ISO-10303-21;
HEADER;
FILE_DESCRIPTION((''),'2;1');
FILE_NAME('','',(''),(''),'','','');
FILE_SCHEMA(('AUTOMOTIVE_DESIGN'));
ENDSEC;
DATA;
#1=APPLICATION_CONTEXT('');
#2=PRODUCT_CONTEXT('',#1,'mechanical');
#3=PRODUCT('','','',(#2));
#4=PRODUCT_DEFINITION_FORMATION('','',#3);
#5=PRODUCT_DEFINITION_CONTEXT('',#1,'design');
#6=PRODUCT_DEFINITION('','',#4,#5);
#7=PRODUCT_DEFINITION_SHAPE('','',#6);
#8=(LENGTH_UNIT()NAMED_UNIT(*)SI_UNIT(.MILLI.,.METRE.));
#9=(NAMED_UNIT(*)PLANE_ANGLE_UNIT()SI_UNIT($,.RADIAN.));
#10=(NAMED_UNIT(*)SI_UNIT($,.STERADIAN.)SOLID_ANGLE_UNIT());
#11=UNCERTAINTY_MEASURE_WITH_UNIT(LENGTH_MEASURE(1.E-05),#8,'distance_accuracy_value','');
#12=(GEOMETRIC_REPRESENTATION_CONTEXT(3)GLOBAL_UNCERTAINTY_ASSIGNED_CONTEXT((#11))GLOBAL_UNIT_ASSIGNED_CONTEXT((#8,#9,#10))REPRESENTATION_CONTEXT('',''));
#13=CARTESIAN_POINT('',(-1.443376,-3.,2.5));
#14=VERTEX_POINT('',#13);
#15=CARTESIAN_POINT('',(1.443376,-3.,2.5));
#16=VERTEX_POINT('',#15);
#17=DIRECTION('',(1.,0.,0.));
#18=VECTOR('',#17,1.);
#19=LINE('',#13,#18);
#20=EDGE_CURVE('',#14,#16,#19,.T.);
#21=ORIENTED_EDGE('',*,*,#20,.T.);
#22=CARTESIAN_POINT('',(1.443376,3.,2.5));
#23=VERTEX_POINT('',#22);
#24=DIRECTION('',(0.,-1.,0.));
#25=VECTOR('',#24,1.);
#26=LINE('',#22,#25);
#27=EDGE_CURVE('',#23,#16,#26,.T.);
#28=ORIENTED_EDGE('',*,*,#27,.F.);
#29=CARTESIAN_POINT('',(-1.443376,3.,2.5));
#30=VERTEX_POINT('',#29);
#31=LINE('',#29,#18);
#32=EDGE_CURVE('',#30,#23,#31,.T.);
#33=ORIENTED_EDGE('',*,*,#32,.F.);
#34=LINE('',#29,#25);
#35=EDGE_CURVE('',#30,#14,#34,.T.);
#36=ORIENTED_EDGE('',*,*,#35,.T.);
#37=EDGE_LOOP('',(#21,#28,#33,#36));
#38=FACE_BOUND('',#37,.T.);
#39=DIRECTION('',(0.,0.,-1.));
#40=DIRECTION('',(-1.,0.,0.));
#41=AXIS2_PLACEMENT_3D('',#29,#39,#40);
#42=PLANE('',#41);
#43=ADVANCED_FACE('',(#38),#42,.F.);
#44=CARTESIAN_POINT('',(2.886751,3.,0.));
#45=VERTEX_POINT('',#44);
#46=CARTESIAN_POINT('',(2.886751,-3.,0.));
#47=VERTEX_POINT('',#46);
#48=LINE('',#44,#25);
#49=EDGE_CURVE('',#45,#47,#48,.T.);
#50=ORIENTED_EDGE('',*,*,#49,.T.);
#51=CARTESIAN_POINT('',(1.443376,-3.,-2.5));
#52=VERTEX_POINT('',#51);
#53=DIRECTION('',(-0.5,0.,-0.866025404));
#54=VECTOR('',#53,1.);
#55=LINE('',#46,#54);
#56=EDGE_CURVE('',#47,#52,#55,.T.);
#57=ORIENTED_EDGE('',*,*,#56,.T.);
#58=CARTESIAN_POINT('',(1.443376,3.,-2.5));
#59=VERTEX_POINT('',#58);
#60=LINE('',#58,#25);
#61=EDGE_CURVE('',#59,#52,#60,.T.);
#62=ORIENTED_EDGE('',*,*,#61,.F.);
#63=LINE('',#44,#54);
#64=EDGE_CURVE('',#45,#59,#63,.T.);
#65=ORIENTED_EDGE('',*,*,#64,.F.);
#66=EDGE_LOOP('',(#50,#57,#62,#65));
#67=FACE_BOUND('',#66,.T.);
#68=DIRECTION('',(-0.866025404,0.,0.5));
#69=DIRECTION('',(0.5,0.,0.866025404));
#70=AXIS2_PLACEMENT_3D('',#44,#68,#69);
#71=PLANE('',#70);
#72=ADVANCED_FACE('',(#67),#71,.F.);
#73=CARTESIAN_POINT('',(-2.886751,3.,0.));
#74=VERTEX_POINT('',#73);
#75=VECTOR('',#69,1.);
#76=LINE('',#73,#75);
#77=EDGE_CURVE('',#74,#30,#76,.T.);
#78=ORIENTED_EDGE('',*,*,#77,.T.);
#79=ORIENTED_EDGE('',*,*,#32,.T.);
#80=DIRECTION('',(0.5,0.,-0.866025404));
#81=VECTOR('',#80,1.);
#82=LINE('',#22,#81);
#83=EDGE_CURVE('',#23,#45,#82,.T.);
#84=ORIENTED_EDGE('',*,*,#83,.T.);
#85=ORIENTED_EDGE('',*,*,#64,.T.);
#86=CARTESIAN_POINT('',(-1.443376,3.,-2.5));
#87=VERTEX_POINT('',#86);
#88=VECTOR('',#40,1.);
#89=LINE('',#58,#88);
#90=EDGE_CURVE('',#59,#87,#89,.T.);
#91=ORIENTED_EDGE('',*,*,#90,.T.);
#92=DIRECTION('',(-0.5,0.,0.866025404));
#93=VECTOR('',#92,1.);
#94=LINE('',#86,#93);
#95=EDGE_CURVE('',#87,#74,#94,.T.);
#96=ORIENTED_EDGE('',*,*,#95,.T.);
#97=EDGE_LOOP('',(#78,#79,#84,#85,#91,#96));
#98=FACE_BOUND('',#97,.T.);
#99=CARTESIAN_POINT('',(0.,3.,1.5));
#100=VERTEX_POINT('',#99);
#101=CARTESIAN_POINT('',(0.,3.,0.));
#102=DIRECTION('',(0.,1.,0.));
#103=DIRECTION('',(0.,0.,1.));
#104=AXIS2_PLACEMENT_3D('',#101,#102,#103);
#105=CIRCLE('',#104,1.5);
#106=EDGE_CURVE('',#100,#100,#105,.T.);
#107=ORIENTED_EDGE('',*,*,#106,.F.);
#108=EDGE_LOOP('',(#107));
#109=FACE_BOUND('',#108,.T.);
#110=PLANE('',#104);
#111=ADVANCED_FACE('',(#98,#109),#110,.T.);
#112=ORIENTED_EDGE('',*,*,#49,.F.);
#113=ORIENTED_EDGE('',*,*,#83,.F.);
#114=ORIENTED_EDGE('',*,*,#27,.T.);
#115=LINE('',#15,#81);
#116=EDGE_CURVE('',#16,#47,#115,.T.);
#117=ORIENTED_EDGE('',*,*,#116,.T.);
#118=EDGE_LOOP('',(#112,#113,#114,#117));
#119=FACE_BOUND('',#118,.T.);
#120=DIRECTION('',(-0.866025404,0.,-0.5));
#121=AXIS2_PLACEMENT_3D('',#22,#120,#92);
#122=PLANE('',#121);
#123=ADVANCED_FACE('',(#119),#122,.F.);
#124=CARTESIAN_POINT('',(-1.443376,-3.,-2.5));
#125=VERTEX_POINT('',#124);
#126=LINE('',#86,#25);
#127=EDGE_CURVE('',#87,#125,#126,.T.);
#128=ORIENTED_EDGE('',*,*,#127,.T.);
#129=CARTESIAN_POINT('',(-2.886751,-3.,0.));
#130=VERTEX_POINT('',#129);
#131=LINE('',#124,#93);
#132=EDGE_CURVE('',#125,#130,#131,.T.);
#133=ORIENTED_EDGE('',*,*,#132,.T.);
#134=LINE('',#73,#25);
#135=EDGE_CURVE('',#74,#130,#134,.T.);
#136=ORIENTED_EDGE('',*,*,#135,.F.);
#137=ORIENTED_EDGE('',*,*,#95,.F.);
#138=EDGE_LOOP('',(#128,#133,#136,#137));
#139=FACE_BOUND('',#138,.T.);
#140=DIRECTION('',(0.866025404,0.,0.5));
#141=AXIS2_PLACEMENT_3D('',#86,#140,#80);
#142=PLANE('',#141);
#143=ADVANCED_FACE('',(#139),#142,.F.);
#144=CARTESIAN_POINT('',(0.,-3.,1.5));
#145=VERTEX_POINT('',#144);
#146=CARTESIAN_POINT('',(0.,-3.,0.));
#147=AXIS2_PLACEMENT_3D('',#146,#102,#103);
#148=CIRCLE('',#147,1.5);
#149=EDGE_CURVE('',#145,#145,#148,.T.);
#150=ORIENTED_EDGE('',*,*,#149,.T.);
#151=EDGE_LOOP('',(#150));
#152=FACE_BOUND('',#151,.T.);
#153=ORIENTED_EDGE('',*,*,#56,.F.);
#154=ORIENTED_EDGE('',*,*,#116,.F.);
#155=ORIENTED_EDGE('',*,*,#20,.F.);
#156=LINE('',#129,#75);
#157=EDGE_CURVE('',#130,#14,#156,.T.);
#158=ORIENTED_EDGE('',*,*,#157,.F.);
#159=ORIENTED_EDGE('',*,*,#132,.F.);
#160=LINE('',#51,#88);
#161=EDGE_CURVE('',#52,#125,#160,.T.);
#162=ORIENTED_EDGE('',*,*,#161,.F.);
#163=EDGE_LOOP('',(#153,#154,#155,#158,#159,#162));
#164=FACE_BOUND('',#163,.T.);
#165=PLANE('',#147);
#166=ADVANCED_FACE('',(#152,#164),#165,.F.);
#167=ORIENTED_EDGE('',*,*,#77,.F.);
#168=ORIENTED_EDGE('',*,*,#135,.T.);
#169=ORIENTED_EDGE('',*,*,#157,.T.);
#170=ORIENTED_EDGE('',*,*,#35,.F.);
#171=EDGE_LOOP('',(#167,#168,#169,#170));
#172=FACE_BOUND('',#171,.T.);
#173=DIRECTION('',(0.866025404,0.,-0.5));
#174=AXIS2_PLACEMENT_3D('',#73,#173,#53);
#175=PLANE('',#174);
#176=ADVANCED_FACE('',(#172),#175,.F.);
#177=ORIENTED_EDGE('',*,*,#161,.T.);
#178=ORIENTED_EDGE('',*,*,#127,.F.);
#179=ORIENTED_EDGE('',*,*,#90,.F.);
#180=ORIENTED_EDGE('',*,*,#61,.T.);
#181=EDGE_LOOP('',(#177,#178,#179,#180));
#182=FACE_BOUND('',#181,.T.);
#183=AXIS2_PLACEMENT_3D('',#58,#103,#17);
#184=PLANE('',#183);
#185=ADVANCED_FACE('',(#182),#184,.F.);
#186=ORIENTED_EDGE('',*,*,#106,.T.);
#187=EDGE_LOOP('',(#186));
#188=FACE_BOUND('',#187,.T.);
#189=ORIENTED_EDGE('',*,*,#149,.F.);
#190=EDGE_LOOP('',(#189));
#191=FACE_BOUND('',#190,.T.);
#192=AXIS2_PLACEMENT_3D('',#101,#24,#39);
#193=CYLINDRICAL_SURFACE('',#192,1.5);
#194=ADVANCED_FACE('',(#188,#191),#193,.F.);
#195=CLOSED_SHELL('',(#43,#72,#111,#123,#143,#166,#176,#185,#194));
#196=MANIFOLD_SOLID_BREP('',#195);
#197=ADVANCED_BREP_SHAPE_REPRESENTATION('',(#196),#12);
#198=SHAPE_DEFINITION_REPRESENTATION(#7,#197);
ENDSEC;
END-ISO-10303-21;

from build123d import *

# Parameters (mm, degrees)
CROQUIS1_R              = 1.5
SALIENTE_EXTRUIR1_DEPTH = 3


with BuildPart() as part:
    # Croquis1 → Saliente-Extruir1 (new body, symmetric)
    with BuildSketch(Plane(origin=(0, 0, 0), x_dir=(1, 0, 0), z_dir=(0, 1, 0))):
        Polygon((1.443375673, -2.5), (2.886751346, 0), (1.443375673, 2.5), (-1.443375673, 2.5), (-2.886751346, 0), (-1.443375673, -2.5), align=None)
        Circle(CROQUIS1_R, mode=Mode.SUBTRACT)
    extrude(amount=SALIENTE_EXTRUIR1_DEPTH, both=True)


solid = part.part
